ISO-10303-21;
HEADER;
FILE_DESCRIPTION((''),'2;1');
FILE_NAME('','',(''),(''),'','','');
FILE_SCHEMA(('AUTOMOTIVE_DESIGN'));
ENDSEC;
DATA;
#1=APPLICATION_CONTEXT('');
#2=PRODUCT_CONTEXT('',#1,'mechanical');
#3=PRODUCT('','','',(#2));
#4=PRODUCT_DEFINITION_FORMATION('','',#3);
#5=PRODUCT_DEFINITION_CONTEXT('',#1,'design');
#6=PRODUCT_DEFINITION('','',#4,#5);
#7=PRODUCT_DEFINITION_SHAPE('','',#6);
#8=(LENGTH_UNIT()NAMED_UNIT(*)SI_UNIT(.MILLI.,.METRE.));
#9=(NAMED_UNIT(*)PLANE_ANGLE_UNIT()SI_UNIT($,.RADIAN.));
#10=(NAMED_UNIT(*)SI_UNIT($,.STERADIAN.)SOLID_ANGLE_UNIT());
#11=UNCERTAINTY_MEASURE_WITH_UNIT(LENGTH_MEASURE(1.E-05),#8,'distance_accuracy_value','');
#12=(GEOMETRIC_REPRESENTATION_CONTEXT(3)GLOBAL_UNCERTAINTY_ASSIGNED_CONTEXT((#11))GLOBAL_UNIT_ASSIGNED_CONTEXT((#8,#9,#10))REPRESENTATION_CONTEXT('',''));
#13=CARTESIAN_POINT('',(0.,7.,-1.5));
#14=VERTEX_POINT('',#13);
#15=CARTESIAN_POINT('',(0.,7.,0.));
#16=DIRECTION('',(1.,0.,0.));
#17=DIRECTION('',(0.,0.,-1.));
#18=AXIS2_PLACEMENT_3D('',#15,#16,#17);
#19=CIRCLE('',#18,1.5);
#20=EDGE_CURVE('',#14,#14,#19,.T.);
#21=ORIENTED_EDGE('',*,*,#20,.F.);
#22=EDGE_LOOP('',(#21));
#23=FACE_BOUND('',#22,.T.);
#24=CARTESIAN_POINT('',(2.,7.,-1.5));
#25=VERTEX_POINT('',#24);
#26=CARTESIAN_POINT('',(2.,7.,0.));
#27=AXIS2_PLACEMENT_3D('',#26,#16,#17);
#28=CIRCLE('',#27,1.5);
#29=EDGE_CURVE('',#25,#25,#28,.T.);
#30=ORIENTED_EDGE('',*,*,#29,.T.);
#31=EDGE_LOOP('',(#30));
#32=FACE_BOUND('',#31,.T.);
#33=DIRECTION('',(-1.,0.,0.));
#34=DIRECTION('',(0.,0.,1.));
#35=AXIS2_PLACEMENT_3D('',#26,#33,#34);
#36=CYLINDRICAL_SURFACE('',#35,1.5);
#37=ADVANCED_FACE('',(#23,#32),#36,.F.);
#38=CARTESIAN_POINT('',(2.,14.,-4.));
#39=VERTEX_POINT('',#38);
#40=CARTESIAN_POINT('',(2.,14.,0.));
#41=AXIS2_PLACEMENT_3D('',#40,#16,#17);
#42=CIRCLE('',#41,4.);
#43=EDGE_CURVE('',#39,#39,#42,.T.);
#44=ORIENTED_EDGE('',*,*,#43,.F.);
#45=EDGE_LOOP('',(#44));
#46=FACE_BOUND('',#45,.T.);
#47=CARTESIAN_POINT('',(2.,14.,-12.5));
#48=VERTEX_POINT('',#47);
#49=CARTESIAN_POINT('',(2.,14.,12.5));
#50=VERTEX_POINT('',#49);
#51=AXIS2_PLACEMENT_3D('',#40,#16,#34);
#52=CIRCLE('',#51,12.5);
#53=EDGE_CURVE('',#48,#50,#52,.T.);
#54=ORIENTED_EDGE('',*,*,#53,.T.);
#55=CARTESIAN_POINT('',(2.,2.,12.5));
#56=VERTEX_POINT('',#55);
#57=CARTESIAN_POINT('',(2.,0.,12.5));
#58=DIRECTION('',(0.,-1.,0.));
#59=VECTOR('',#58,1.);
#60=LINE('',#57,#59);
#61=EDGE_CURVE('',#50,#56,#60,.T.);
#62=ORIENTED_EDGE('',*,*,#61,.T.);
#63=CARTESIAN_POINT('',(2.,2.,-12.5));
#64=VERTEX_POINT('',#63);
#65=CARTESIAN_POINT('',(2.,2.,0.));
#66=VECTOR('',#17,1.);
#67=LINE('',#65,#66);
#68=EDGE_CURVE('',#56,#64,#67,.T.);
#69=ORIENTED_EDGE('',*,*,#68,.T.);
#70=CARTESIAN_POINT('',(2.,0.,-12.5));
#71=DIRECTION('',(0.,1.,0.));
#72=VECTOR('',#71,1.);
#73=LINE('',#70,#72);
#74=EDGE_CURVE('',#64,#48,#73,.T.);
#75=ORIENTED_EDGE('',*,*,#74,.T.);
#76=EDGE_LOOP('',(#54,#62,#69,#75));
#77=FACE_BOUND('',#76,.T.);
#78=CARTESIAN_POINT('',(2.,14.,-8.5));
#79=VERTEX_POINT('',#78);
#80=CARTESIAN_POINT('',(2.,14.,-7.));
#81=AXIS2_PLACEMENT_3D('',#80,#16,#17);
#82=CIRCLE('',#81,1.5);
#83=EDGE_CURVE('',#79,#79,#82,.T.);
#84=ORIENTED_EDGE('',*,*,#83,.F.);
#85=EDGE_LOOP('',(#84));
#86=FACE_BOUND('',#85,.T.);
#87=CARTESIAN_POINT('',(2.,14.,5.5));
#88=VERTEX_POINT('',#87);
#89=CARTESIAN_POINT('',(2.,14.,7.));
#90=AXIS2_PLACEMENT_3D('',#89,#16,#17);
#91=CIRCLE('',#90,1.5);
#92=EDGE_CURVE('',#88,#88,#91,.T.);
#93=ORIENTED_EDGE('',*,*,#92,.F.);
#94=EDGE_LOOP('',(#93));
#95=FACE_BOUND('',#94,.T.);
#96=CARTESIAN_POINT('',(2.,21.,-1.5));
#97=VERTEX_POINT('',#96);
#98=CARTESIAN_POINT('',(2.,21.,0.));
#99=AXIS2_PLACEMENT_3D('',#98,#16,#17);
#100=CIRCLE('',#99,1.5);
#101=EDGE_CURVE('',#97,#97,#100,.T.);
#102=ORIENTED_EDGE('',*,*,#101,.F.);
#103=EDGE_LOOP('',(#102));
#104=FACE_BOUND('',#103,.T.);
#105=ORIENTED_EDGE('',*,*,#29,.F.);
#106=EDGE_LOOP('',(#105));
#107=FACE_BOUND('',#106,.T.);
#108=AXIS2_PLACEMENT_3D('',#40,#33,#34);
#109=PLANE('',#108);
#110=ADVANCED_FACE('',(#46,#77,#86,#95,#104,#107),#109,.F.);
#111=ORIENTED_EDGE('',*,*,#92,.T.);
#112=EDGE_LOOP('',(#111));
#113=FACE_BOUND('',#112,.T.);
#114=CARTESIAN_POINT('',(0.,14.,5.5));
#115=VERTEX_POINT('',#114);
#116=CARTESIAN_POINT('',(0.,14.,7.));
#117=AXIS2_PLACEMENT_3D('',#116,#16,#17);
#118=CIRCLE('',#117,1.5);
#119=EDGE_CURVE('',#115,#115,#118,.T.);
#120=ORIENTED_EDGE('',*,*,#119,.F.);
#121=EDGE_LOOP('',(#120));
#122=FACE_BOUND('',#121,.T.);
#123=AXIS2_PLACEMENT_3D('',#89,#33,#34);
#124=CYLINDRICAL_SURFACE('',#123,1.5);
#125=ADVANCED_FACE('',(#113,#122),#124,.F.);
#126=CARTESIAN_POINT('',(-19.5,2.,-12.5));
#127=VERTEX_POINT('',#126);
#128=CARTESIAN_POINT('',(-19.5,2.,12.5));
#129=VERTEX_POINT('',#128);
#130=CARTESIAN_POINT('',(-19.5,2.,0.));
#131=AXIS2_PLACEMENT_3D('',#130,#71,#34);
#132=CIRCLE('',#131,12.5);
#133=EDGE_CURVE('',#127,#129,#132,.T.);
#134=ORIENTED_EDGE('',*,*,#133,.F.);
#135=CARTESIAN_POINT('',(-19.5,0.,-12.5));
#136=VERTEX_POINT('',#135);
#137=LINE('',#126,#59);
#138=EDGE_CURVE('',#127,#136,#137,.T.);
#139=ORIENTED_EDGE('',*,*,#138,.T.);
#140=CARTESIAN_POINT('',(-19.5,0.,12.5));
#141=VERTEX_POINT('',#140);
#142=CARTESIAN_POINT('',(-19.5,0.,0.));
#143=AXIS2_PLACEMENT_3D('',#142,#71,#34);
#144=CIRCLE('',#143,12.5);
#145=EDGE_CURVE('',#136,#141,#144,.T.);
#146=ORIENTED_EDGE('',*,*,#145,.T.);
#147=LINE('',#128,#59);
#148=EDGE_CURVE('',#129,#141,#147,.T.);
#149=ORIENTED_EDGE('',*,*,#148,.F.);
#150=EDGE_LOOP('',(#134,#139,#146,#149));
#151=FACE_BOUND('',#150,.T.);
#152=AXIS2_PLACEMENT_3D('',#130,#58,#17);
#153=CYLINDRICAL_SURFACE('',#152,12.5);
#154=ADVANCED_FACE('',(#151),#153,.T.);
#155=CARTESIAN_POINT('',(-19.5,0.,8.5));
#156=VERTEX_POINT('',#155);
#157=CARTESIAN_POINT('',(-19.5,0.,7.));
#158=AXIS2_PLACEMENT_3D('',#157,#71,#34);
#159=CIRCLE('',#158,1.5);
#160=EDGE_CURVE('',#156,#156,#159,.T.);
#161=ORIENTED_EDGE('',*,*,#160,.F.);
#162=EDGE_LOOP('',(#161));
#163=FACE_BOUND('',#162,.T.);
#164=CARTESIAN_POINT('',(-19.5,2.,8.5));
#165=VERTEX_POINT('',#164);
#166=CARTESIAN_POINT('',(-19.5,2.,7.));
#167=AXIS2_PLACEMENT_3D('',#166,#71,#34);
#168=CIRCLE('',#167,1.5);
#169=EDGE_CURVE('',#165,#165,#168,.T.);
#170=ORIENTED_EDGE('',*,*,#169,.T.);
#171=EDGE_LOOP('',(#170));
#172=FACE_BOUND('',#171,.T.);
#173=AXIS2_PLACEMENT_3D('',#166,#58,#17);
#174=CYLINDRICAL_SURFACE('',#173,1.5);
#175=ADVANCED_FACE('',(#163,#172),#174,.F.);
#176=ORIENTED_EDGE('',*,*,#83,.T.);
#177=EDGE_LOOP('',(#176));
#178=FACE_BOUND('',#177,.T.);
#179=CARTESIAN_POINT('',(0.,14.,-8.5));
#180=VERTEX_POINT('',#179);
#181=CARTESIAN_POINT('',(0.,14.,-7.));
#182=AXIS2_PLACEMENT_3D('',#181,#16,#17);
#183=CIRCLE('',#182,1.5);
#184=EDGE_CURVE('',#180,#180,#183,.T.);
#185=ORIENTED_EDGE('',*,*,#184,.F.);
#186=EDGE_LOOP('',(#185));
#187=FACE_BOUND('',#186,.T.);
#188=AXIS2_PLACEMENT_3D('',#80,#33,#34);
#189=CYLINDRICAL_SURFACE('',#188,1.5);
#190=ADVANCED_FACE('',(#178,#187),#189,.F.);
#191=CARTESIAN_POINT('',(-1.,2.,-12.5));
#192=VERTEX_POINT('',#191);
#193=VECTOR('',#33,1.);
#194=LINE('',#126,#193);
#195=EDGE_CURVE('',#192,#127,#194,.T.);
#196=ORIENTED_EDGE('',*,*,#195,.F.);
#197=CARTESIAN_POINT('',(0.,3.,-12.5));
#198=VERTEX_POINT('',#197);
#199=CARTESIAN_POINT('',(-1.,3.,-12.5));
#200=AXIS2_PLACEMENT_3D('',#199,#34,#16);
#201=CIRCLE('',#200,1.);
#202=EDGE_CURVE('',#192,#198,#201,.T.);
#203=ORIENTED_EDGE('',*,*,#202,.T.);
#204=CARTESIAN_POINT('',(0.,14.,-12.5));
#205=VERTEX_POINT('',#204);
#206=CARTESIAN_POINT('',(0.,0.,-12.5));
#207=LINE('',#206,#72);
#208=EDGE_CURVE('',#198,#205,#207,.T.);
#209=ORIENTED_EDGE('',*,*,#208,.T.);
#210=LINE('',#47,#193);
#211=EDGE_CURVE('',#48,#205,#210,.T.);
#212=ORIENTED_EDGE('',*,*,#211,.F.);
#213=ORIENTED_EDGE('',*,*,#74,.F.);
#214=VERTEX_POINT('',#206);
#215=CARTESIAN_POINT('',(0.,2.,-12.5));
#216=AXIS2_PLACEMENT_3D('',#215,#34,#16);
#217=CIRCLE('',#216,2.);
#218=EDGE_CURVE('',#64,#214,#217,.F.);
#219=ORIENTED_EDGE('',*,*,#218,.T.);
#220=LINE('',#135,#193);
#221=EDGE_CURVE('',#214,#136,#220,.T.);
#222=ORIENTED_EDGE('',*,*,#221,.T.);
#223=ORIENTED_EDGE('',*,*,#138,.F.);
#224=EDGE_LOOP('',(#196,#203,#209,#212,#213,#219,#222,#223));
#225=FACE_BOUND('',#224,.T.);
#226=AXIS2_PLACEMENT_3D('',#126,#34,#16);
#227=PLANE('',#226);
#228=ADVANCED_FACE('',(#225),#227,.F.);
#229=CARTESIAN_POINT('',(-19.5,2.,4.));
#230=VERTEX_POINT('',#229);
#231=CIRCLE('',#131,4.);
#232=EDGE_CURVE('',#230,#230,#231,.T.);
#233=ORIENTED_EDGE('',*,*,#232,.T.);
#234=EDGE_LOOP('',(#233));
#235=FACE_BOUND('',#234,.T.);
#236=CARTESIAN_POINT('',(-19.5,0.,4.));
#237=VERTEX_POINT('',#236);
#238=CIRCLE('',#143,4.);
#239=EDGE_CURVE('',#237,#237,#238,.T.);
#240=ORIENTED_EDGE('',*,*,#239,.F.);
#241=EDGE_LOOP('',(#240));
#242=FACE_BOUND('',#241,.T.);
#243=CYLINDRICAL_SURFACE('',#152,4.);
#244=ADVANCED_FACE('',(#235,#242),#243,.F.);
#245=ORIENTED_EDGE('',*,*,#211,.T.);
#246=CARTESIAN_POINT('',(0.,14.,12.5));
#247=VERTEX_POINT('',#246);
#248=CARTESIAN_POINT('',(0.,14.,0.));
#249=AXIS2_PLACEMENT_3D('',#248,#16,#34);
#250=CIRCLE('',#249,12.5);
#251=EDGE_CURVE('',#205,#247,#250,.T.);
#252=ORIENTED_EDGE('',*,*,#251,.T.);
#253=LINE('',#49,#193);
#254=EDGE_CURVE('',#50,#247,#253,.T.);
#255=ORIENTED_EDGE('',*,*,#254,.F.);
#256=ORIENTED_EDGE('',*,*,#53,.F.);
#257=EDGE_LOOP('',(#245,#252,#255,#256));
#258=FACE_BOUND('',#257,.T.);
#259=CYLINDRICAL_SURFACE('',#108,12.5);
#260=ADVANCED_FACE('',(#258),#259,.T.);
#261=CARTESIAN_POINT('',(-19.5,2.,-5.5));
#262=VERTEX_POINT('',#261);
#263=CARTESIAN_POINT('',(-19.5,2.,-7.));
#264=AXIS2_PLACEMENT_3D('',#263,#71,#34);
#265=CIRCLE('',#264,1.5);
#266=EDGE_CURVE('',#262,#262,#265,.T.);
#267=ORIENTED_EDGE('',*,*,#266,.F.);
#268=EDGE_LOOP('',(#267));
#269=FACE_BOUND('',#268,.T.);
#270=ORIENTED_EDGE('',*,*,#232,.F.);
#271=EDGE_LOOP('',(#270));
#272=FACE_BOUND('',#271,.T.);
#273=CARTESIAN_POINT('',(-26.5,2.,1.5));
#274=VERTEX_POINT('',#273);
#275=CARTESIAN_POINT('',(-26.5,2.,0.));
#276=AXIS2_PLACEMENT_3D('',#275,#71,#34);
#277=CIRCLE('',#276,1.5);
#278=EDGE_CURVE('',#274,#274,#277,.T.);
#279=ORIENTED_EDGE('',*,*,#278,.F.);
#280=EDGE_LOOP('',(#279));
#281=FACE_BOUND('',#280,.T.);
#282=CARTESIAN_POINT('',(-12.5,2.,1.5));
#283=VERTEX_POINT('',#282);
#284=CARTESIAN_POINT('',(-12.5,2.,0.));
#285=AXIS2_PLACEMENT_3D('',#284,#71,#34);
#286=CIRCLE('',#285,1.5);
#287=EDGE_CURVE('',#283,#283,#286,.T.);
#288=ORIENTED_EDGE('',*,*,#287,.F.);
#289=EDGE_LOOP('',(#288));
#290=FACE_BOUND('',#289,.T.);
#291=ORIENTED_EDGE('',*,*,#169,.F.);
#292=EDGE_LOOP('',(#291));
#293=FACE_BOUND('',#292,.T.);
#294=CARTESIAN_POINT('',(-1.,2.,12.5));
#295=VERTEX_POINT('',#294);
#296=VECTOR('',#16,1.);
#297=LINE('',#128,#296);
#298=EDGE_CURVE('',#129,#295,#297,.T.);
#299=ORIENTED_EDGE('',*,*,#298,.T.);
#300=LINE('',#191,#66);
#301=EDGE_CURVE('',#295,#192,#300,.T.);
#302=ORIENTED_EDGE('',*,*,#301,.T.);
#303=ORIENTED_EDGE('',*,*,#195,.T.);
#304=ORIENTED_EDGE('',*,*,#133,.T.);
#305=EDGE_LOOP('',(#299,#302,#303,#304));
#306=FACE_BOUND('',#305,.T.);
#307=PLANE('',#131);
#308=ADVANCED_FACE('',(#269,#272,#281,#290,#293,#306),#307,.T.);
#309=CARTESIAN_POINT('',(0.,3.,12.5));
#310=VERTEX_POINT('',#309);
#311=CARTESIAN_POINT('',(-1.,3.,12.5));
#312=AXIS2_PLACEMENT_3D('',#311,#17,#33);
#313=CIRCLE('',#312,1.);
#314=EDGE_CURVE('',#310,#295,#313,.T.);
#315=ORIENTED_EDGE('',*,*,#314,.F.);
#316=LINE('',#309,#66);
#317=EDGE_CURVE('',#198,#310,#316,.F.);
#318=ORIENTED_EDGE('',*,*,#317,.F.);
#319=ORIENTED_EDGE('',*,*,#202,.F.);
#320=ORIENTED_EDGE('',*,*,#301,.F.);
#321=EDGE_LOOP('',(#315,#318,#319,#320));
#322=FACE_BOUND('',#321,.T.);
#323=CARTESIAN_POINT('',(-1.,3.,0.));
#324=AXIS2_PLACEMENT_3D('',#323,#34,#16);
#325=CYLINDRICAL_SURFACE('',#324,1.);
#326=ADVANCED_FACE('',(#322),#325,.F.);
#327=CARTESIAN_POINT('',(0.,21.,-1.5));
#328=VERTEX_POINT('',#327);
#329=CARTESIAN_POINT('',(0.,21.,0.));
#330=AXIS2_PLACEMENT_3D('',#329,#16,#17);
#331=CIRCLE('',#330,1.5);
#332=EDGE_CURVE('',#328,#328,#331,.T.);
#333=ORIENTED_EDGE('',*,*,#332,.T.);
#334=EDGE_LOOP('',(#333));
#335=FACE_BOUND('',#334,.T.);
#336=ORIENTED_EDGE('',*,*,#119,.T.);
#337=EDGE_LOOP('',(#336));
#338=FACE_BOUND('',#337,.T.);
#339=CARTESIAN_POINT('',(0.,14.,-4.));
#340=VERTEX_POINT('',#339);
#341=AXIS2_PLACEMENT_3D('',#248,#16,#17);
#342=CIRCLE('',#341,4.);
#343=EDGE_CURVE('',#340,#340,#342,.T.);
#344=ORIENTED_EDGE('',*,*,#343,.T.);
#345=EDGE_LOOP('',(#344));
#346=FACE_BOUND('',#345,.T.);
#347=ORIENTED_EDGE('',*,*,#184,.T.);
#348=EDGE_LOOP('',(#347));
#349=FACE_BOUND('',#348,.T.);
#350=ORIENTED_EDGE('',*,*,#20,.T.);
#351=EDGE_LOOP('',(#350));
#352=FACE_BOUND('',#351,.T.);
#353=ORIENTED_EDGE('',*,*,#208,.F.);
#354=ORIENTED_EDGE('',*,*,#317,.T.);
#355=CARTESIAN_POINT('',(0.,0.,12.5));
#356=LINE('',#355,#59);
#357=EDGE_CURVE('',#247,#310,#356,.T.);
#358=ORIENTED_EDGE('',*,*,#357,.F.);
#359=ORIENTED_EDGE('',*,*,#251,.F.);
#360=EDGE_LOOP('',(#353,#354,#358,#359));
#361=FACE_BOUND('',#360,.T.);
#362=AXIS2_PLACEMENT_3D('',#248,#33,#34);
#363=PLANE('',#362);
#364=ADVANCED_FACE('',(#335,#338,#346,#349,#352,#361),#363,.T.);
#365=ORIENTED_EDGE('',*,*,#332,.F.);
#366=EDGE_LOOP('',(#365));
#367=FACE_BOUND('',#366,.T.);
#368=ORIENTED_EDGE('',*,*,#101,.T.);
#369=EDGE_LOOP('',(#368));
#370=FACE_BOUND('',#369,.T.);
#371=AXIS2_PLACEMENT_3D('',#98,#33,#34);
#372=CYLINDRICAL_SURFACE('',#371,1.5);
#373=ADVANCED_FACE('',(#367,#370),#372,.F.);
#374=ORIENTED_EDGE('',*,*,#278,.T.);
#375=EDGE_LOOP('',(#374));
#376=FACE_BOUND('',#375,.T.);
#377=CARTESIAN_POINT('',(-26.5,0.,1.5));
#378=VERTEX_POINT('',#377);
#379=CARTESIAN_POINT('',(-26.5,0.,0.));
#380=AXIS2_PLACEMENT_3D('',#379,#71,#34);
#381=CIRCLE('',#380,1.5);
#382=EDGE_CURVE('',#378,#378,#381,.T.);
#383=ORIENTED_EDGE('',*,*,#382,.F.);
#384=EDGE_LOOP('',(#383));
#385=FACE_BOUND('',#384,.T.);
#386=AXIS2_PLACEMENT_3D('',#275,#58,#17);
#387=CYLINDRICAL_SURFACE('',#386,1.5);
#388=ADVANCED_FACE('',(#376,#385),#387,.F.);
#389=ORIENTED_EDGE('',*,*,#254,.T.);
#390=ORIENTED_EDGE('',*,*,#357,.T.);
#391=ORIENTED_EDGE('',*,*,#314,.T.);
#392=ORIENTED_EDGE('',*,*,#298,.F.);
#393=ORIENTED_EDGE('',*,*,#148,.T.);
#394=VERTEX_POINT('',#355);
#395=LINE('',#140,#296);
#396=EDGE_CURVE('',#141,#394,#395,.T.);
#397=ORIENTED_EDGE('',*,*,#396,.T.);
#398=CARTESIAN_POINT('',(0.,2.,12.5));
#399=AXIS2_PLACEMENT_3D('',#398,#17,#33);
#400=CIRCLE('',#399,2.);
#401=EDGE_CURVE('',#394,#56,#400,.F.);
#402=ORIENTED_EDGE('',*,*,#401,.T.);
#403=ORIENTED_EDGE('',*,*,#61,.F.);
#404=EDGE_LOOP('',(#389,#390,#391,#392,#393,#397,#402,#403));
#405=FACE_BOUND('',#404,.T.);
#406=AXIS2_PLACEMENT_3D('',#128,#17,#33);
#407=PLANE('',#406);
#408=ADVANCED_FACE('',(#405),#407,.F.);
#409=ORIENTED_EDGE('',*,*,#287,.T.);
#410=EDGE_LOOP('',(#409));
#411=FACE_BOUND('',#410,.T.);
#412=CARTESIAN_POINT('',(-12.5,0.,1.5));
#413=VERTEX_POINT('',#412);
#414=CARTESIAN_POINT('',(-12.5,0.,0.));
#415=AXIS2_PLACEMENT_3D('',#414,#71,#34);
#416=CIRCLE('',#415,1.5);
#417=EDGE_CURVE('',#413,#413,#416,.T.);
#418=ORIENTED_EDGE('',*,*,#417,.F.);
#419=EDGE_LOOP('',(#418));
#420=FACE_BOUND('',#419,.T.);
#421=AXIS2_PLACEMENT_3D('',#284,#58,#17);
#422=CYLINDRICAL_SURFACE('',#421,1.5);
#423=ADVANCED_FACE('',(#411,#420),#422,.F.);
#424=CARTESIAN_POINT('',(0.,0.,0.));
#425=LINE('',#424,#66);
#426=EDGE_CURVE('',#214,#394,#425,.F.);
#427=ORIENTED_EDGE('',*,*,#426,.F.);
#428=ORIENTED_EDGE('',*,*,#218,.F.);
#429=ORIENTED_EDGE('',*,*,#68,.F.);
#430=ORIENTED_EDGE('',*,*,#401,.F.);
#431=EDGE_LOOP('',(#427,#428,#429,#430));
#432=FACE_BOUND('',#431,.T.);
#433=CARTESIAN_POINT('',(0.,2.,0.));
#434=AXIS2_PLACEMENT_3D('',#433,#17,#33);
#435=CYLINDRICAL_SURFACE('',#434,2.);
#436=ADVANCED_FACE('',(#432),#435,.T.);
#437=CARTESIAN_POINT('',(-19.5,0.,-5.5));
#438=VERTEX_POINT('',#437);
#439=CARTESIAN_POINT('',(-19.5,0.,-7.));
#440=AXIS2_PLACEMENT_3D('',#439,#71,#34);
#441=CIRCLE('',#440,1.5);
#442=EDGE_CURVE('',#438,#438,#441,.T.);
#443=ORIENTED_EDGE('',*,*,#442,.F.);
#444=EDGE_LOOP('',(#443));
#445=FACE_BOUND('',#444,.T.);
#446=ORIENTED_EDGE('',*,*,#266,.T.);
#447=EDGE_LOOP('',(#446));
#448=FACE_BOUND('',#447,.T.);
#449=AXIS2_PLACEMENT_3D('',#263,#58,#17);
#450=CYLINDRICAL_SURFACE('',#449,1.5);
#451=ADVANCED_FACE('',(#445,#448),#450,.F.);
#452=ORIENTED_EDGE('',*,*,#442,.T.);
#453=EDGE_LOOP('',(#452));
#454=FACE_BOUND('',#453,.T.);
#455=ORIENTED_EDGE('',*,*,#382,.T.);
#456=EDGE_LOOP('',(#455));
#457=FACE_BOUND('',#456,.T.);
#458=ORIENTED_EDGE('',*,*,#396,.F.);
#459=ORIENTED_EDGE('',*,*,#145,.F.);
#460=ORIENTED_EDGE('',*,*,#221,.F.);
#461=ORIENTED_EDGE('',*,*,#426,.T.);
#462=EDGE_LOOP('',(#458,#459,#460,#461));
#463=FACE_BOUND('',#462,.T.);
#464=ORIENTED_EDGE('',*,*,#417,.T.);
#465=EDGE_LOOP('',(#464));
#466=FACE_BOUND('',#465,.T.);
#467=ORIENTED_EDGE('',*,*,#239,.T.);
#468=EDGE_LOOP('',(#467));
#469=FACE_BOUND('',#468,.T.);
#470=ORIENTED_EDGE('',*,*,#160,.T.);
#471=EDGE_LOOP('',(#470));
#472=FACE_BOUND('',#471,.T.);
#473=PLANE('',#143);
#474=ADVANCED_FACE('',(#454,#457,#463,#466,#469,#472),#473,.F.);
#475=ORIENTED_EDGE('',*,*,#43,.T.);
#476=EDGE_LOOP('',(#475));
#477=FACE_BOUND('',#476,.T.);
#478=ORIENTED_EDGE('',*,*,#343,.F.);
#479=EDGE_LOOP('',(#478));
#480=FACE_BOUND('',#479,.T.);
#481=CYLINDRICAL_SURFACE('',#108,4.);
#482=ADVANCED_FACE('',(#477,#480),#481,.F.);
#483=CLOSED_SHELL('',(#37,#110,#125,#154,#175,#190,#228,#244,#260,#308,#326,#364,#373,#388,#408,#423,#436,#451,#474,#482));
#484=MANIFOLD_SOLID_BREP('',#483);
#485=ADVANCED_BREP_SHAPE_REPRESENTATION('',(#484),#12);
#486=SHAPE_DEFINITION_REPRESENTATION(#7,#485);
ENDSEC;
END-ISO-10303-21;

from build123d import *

# Parameters (mm, degrees)
SKETCH1_R           = 4
SKETCH1_R_2         = 1.5
BOSS_EXTRUDE1_DEPTH = 2
SKETCH2_R           = 4
SKETCH2_R_2         = 1.5
BOSS_EXTRUDE2_DEPTH = 2
FILLET1_R           = 1
FILLET3_R           = 2


with BuildPart() as part:
    # Sketch1 → Boss-Extrude1 (new body)
    with BuildSketch(Plane(origin=(0, 0, 0), x_dir=(1, 0, 0), z_dir=(0, 1, 0))):
        with BuildLine():
            Line((0, 12.5), (0, -12.5))
            Line((0, -12.5), (-19.5, -12.5))
            ThreePointArc((-19.5, -12.5), (-32, 0), (-19.5, 12.5))
            Line((-19.5, 12.5), (0, 12.5))
        make_face()
        with Locations(Location((-19.5, 0, 0), (0, 0, 270))):
            Circle(SKETCH1_R, mode=Mode.SUBTRACT)
        with Locations(Location((-19.5, 7, 0), (0, 0, 270))):
            Circle(SKETCH1_R_2, mode=Mode.SUBTRACT)
        with Locations(Location((-19.5, -7, 0), (0, 0, 270))):
            Circle(SKETCH1_R_2, mode=Mode.SUBTRACT)
        with Locations(Location((-12.5, 0, 0), (0, 0, 270))):
            Circle(SKETCH1_R_2, mode=Mode.SUBTRACT)
        with Locations(Location((-26.5, 0, 0), (0, 0, 270))):
            Circle(SKETCH1_R_2, mode=Mode.SUBTRACT)
    extrude(amount=BOSS_EXTRUDE1_DEPTH)

    # Sketch2 → Boss-Extrude2 (add)
    with BuildSketch(Plane(origin=(0, 0, 0), x_dir=(0, 0, -1), z_dir=(1, 0, 0))):
        with BuildLine():
            Line((-12.5, 0), (12.5, 0))
            Line((12.5, 0), (12.5, 14))
            ThreePointArc((12.5, 14), (0, 26.5), (-12.5, 14))
            Line((-12.5, 14), (-12.5, 0))
        make_face()
        with Locations((0, 14)):
            Circle(SKETCH2_R, mode=Mode.SUBTRACT)
        with Locations((0, 21)):
            Circle(SKETCH2_R_2, mode=Mode.SUBTRACT)
        with Locations((7, 14)):
            Circle(SKETCH2_R_2, mode=Mode.SUBTRACT)
        with Locations((0, 7)):
            Circle(SKETCH2_R_2, mode=Mode.SUBTRACT)
        with Locations((-7, 14)):
            Circle(SKETCH2_R_2, mode=Mode.SUBTRACT)
    extrude(amount=BOSS_EXTRUDE2_DEPTH)

    # Fillet1
    fillet1_edges = [part.edges().sort_by_distance(p)[0] for p in [
        (0, 2, 0),
    ]]
    fillet(fillet1_edges, radius=FILLET1_R)

    # Fillet3
    fillet3_edges = [part.edges().sort_by_distance(p)[0] for p in [
        (2, 0, 0),
    ]]
    fillet(fillet3_edges, radius=FILLET3_R)


solid = part.part
